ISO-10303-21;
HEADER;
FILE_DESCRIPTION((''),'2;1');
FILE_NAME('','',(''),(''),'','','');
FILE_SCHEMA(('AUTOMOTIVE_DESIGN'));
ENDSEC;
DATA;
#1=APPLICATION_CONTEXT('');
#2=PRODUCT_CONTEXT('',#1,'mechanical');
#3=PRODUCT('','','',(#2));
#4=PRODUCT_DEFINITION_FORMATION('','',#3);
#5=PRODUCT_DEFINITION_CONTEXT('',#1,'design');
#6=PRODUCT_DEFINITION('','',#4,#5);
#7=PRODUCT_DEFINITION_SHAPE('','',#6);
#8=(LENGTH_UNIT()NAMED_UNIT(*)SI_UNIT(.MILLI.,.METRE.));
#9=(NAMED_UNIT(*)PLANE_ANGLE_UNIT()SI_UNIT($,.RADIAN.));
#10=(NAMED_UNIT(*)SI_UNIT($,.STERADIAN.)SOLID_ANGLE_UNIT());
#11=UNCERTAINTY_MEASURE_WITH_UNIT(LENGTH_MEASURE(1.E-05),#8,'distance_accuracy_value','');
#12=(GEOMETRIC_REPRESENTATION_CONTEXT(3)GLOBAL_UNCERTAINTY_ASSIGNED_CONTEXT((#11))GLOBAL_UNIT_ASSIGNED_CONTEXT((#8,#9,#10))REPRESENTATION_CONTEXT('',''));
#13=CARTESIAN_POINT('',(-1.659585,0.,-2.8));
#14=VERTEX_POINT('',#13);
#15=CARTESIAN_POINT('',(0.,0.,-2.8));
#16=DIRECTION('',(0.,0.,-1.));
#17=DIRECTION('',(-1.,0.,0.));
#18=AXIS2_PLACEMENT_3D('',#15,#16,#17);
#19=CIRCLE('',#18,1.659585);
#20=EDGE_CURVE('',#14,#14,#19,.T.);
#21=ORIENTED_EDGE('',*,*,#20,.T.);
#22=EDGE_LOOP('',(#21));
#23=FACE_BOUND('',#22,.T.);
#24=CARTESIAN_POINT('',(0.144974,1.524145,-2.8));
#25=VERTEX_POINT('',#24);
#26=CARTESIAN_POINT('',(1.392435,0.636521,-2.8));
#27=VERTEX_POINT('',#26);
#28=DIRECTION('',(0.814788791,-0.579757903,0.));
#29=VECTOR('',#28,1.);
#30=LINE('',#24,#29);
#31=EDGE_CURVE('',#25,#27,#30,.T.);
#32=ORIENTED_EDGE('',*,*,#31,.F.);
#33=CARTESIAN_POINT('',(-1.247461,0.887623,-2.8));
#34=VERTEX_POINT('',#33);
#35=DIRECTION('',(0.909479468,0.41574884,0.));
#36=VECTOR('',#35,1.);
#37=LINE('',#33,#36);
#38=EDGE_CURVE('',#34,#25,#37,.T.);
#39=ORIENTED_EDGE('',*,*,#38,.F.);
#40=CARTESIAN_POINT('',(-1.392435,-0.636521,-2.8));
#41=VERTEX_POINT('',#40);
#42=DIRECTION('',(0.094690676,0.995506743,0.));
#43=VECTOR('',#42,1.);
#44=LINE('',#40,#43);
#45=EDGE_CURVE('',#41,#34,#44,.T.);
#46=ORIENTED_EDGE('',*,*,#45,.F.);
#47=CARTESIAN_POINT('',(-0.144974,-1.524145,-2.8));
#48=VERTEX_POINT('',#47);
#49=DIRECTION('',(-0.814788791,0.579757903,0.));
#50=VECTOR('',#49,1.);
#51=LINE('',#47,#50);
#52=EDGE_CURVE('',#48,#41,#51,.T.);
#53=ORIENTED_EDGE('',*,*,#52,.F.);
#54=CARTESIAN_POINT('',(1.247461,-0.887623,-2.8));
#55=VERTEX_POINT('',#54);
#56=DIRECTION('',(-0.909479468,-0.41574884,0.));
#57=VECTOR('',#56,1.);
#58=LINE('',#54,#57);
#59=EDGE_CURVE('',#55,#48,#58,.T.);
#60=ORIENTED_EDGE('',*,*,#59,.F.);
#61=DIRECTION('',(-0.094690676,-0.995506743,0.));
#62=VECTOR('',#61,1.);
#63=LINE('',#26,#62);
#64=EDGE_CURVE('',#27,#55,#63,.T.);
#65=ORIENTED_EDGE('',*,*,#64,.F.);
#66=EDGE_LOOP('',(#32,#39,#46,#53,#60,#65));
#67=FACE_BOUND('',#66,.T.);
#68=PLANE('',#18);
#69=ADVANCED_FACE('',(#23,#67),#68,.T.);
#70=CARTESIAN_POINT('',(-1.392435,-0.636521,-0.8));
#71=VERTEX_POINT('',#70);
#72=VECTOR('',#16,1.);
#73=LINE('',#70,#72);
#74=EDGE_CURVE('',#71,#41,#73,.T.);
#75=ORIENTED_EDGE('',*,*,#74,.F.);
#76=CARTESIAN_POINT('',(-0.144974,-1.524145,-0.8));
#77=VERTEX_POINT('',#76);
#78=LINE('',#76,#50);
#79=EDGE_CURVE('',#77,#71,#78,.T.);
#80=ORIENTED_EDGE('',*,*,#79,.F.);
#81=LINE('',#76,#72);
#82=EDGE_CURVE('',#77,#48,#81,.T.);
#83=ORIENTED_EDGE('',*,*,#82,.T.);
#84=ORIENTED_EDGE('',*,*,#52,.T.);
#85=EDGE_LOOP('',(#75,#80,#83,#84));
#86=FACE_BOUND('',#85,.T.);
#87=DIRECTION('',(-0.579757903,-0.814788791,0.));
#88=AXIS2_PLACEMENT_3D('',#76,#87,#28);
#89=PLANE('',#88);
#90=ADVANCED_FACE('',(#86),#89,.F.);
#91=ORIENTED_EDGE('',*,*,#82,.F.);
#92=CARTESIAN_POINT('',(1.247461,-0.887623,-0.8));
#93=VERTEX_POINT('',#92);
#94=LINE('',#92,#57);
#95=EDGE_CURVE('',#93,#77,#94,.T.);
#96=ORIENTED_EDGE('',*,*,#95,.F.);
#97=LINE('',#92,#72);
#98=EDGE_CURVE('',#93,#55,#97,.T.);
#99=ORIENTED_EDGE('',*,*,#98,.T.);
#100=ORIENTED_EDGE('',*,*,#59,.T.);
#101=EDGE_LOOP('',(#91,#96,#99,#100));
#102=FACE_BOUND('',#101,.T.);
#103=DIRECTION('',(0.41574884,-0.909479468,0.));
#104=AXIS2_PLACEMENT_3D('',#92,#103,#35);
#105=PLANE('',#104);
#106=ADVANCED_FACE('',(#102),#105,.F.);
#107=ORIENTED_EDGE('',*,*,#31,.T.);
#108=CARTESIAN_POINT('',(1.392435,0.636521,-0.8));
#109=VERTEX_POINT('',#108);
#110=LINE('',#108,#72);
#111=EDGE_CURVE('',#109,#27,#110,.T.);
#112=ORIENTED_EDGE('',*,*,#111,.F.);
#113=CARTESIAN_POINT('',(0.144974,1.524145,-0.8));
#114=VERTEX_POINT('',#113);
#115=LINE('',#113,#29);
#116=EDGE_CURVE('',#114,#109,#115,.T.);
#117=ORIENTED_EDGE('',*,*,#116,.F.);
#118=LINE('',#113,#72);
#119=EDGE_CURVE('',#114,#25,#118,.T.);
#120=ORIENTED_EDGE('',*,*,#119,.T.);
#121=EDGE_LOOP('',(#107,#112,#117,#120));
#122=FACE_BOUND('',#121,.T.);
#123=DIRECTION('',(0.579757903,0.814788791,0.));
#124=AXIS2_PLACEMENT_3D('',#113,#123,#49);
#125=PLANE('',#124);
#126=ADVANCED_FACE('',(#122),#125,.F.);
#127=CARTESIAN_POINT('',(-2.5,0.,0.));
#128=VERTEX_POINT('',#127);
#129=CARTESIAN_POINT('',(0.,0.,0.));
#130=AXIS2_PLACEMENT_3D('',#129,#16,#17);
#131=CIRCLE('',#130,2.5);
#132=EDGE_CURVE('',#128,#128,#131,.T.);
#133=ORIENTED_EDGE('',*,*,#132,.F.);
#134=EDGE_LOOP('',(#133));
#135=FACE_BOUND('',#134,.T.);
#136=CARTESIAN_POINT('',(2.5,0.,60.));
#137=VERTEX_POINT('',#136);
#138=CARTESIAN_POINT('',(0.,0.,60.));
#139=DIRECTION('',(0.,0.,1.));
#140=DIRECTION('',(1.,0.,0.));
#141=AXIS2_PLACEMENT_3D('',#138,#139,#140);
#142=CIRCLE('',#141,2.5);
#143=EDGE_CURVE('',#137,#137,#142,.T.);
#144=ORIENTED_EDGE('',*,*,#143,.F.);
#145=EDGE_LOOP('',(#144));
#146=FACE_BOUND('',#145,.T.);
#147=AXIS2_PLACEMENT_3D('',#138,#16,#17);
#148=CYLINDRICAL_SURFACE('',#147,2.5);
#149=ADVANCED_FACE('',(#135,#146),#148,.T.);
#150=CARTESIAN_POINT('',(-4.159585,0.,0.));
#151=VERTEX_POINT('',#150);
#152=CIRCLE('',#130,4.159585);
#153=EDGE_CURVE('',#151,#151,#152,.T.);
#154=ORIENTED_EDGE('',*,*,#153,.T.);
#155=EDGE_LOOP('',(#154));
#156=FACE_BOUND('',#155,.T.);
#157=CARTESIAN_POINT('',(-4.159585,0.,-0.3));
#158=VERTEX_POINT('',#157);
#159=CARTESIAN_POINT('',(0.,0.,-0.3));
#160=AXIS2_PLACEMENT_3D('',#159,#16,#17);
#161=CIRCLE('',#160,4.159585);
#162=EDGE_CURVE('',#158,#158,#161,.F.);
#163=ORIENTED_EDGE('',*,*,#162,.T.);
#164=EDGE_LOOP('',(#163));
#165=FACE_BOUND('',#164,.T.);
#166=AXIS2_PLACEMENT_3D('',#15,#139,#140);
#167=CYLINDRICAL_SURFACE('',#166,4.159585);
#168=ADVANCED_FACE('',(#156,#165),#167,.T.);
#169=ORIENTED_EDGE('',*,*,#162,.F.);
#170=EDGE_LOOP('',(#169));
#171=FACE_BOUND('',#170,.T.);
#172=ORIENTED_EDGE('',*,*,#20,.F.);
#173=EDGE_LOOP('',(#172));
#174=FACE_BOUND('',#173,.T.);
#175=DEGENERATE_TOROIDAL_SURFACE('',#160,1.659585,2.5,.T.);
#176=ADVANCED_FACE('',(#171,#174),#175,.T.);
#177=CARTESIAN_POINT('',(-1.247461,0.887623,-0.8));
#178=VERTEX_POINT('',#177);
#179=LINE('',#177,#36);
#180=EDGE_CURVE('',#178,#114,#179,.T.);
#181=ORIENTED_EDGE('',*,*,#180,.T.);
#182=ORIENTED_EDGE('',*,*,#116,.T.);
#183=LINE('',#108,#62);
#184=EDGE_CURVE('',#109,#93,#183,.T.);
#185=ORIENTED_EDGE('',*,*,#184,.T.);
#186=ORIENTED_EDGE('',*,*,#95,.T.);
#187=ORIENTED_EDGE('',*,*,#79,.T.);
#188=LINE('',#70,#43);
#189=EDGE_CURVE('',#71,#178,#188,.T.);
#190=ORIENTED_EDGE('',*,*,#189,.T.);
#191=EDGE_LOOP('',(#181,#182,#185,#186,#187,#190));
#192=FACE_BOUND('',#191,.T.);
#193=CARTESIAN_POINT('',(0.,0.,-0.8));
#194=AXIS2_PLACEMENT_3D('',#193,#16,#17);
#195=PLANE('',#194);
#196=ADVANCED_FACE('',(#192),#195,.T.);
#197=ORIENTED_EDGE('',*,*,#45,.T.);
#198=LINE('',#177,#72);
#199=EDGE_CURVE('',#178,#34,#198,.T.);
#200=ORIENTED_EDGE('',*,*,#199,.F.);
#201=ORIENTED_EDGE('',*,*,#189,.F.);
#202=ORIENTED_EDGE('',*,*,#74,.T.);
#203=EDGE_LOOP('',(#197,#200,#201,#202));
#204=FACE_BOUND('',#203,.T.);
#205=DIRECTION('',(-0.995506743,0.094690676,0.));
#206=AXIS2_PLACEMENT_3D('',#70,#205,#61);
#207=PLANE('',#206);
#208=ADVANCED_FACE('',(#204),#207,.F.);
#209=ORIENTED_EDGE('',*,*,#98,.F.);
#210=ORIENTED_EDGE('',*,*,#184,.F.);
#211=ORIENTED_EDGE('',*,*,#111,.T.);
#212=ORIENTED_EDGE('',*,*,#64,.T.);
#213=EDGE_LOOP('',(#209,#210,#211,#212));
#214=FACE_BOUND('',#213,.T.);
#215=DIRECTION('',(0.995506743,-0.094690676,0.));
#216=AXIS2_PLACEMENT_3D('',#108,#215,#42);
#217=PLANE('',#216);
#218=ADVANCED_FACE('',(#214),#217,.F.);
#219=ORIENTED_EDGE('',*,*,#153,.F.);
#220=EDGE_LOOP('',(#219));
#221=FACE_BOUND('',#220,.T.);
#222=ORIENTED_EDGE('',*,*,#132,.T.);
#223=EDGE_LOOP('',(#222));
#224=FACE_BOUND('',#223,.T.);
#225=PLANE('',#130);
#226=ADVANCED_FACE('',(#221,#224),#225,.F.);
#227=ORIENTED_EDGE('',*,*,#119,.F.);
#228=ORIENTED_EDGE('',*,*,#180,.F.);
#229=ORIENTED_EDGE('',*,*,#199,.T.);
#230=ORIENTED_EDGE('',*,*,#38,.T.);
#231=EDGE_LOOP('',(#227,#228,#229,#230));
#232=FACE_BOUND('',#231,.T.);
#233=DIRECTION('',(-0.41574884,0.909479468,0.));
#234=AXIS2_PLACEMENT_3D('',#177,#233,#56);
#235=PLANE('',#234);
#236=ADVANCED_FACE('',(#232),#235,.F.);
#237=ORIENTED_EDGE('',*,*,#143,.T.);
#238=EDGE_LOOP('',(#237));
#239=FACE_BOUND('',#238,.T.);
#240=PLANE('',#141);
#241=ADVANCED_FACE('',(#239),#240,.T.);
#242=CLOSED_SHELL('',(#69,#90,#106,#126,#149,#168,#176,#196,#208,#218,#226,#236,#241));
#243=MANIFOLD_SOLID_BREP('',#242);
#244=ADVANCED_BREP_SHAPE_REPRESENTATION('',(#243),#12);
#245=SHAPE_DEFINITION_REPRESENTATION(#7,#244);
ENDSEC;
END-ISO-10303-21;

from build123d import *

# Parameters (mm, degrees)
SKETCH1_R           = 2.5
BOSS_EXTRUDE1_DEPTH = 60
SKETCH2_R           = 4.159584877
BOSS_EXTRUDE2_DEPTH = 2.8
FILLET1_R           = 2.5
CUT_EXTRUDE1_DEPTH  = 2


with BuildPart() as part:
    # Sketch1 → Boss-Extrude1 (new body)
    with BuildSketch(Plane.XY):
        Circle(SKETCH1_R)
    extrude(amount=BOSS_EXTRUDE1_DEPTH)

    # Sketch2 → Boss-Extrude2 (add)
    with BuildSketch(Plane(origin=(0, 0, 0), x_dir=(-1, 0, 0), z_dir=(0, 0, -1))):
        Circle(SKETCH2_R)
    extrude(amount=BOSS_EXTRUDE2_DEPTH)

    # Fillet1
    fillet1_edges = [part.edges().sort_by_distance(p)[0] for p in [
        (4.159584877, 0, -2.8),
    ]]
    fillet(fillet1_edges, radius=FILLET1_R)

    # Sketch3 → Cut-Extrude1 (cut)
    with BuildSketch(Plane(origin=(0, 0, -2.8), x_dir=(-1, 0, 0), z_dir=(0, 0, -1))):
        Polygon((1.392434699, -0.636521364), (1.247461021, 0.88762314), (-0.144973678, 1.524144504), (-1.392434699, 0.636521364), (-1.247461021, -0.88762314), (0.144973678, -1.524144504), align=None)
    extrude(amount=-CUT_EXTRUDE1_DEPTH, mode=Mode.SUBTRACT)


solid = part.part
